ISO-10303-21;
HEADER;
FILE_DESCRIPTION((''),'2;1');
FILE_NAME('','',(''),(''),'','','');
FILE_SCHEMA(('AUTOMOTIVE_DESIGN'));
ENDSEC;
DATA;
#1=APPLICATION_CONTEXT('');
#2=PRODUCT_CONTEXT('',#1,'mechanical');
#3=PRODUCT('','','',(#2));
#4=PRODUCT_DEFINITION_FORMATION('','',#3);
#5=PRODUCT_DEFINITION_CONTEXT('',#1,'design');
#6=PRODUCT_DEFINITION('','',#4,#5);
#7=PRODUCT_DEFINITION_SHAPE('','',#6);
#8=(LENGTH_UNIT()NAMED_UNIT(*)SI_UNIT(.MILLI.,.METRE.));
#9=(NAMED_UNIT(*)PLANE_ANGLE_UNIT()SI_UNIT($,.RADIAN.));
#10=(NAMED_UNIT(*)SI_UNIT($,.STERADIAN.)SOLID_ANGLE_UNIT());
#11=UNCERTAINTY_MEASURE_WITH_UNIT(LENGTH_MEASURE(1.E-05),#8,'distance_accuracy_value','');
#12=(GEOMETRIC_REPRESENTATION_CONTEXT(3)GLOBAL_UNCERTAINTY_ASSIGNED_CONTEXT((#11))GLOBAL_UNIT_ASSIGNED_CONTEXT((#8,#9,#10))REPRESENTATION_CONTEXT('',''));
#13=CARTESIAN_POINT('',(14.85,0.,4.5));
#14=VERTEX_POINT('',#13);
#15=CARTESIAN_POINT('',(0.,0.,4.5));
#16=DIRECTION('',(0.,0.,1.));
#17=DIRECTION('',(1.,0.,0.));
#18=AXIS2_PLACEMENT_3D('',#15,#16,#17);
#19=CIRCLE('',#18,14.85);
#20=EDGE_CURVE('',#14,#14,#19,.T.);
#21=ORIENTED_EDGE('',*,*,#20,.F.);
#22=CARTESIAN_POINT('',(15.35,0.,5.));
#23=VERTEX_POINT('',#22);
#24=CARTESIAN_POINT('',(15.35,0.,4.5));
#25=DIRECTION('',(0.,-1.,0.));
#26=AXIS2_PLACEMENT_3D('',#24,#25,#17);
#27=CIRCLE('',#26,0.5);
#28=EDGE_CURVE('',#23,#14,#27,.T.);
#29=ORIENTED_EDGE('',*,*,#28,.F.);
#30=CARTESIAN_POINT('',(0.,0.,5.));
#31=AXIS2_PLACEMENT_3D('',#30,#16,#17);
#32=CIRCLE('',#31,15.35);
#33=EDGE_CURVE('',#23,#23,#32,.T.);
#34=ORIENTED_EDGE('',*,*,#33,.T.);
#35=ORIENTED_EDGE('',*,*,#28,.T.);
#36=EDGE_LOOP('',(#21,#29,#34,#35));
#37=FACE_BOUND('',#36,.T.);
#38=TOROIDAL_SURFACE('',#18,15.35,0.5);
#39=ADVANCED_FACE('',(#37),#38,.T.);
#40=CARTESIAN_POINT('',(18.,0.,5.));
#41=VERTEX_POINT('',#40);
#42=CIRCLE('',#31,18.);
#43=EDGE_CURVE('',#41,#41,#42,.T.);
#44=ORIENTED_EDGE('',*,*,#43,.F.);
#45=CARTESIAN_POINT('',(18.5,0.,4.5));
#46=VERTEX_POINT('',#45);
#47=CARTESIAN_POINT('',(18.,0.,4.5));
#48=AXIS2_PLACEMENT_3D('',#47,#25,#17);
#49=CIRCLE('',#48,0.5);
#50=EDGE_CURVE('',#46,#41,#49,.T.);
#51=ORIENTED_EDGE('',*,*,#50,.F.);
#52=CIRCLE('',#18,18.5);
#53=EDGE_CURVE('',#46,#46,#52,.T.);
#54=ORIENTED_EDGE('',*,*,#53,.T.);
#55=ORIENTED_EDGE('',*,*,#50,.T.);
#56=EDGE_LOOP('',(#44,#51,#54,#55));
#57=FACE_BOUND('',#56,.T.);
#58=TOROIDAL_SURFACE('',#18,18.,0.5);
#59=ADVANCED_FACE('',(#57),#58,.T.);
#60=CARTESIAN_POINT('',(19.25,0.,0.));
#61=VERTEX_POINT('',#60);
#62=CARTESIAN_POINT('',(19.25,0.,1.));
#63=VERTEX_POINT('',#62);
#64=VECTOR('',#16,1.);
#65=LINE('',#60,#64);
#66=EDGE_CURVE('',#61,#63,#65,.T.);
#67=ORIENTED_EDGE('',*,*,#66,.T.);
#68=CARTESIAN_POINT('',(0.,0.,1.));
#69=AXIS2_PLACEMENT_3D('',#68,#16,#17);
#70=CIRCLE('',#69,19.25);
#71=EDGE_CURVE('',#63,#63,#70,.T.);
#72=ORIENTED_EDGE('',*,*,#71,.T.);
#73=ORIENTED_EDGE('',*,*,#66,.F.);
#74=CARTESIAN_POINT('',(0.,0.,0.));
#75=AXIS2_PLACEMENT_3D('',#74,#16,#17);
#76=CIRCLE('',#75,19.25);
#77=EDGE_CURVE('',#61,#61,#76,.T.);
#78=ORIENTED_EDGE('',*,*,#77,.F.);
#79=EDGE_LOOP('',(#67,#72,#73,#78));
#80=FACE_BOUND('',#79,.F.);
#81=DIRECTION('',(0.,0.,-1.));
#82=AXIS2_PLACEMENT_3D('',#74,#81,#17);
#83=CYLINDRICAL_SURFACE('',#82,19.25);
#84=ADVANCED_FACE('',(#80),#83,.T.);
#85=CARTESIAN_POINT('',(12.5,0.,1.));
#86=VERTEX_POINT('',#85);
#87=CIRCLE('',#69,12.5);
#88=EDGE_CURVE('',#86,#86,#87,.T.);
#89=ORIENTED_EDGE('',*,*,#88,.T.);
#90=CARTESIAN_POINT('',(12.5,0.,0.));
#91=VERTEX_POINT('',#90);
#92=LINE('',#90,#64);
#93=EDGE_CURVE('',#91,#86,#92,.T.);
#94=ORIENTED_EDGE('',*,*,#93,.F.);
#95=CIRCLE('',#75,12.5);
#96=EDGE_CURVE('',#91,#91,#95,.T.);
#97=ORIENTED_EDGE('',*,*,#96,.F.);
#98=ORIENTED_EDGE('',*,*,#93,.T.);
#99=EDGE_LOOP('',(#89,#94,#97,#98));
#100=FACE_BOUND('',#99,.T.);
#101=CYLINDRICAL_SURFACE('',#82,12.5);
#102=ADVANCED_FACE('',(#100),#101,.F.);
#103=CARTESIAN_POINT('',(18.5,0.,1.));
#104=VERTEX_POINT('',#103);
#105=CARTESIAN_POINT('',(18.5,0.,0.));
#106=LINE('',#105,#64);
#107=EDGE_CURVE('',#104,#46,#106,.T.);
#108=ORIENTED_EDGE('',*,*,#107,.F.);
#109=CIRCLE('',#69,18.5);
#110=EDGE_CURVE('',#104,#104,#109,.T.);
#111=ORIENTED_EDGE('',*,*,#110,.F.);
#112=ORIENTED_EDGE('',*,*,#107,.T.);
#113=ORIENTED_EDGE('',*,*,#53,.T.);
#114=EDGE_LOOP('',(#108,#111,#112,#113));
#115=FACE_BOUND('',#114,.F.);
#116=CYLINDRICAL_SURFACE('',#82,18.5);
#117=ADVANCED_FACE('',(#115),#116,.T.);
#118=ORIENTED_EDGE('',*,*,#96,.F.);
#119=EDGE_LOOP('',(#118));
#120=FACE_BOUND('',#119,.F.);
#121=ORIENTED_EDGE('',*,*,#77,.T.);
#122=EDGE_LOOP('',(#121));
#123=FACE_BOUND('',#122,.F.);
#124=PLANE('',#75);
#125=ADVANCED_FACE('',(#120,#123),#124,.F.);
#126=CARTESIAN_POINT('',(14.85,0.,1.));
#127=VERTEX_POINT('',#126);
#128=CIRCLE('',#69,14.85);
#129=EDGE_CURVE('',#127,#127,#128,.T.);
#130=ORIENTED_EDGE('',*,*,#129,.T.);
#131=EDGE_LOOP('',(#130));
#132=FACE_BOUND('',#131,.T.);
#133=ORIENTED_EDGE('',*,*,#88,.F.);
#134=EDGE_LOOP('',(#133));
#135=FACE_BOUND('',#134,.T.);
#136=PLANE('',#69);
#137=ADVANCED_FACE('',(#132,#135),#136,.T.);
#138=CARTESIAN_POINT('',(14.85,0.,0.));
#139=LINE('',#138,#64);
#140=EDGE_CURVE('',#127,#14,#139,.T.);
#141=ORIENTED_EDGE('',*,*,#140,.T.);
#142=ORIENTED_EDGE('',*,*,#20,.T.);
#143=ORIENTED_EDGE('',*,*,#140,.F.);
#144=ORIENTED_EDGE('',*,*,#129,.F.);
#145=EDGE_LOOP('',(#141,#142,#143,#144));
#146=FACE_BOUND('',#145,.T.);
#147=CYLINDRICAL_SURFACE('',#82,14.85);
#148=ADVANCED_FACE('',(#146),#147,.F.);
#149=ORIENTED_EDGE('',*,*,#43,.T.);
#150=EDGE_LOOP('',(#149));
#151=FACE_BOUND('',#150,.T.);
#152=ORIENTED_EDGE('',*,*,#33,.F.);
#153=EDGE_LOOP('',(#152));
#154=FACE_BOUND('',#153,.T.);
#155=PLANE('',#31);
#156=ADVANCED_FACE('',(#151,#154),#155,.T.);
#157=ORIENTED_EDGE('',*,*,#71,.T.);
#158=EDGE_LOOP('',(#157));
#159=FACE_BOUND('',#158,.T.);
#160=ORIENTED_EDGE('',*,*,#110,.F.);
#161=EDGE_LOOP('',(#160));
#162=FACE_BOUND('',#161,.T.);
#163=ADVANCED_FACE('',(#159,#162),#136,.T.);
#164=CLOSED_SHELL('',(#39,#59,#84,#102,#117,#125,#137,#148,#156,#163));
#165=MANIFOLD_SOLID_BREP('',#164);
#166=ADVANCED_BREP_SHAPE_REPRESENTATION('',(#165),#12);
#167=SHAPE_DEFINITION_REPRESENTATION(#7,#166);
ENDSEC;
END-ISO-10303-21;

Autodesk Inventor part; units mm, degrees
ref_plane "YZ Plane" through (0, 0, 0) normal (1, 0, 0) x (0, 1, 0)
ref_plane "XZ Plane" through (0, 0, 0) normal (0, 1, 0) x (-1, 0, 0)
ref_plane "XY Plane" through (0, 0, 0) normal (0, 0, 1) x (1, 0, 0)
sketch "Sketch1" plane through (0, 0, 0) normal (0, 0, 1) x (1, 0, 0)
  circle A0 centre (0, 0) radius 14.85
  circle A1 centre (0, 0) radius 18.5
  circle A2 centre (0, 0) radius 19.25
  circle A3 centre (0, 0) radius 12.5
  dimension "d0" = 29.7
  dimension "d1" = 37
  dimension "d2" = 38.5
  dimension "d8" = 25
extrude "Extrusion1" add sketch "Sketch1" along normal blind 5 contours A1
extrude "Extrusion2" add sketch "Sketch1" along normal blind 1
fillet "Fillet1" radius 0.5 2 edges at (-14.85, 0, 5) (-18.5, 0, 5)
properties part number "Mitutoyo-BD-black-ring"
